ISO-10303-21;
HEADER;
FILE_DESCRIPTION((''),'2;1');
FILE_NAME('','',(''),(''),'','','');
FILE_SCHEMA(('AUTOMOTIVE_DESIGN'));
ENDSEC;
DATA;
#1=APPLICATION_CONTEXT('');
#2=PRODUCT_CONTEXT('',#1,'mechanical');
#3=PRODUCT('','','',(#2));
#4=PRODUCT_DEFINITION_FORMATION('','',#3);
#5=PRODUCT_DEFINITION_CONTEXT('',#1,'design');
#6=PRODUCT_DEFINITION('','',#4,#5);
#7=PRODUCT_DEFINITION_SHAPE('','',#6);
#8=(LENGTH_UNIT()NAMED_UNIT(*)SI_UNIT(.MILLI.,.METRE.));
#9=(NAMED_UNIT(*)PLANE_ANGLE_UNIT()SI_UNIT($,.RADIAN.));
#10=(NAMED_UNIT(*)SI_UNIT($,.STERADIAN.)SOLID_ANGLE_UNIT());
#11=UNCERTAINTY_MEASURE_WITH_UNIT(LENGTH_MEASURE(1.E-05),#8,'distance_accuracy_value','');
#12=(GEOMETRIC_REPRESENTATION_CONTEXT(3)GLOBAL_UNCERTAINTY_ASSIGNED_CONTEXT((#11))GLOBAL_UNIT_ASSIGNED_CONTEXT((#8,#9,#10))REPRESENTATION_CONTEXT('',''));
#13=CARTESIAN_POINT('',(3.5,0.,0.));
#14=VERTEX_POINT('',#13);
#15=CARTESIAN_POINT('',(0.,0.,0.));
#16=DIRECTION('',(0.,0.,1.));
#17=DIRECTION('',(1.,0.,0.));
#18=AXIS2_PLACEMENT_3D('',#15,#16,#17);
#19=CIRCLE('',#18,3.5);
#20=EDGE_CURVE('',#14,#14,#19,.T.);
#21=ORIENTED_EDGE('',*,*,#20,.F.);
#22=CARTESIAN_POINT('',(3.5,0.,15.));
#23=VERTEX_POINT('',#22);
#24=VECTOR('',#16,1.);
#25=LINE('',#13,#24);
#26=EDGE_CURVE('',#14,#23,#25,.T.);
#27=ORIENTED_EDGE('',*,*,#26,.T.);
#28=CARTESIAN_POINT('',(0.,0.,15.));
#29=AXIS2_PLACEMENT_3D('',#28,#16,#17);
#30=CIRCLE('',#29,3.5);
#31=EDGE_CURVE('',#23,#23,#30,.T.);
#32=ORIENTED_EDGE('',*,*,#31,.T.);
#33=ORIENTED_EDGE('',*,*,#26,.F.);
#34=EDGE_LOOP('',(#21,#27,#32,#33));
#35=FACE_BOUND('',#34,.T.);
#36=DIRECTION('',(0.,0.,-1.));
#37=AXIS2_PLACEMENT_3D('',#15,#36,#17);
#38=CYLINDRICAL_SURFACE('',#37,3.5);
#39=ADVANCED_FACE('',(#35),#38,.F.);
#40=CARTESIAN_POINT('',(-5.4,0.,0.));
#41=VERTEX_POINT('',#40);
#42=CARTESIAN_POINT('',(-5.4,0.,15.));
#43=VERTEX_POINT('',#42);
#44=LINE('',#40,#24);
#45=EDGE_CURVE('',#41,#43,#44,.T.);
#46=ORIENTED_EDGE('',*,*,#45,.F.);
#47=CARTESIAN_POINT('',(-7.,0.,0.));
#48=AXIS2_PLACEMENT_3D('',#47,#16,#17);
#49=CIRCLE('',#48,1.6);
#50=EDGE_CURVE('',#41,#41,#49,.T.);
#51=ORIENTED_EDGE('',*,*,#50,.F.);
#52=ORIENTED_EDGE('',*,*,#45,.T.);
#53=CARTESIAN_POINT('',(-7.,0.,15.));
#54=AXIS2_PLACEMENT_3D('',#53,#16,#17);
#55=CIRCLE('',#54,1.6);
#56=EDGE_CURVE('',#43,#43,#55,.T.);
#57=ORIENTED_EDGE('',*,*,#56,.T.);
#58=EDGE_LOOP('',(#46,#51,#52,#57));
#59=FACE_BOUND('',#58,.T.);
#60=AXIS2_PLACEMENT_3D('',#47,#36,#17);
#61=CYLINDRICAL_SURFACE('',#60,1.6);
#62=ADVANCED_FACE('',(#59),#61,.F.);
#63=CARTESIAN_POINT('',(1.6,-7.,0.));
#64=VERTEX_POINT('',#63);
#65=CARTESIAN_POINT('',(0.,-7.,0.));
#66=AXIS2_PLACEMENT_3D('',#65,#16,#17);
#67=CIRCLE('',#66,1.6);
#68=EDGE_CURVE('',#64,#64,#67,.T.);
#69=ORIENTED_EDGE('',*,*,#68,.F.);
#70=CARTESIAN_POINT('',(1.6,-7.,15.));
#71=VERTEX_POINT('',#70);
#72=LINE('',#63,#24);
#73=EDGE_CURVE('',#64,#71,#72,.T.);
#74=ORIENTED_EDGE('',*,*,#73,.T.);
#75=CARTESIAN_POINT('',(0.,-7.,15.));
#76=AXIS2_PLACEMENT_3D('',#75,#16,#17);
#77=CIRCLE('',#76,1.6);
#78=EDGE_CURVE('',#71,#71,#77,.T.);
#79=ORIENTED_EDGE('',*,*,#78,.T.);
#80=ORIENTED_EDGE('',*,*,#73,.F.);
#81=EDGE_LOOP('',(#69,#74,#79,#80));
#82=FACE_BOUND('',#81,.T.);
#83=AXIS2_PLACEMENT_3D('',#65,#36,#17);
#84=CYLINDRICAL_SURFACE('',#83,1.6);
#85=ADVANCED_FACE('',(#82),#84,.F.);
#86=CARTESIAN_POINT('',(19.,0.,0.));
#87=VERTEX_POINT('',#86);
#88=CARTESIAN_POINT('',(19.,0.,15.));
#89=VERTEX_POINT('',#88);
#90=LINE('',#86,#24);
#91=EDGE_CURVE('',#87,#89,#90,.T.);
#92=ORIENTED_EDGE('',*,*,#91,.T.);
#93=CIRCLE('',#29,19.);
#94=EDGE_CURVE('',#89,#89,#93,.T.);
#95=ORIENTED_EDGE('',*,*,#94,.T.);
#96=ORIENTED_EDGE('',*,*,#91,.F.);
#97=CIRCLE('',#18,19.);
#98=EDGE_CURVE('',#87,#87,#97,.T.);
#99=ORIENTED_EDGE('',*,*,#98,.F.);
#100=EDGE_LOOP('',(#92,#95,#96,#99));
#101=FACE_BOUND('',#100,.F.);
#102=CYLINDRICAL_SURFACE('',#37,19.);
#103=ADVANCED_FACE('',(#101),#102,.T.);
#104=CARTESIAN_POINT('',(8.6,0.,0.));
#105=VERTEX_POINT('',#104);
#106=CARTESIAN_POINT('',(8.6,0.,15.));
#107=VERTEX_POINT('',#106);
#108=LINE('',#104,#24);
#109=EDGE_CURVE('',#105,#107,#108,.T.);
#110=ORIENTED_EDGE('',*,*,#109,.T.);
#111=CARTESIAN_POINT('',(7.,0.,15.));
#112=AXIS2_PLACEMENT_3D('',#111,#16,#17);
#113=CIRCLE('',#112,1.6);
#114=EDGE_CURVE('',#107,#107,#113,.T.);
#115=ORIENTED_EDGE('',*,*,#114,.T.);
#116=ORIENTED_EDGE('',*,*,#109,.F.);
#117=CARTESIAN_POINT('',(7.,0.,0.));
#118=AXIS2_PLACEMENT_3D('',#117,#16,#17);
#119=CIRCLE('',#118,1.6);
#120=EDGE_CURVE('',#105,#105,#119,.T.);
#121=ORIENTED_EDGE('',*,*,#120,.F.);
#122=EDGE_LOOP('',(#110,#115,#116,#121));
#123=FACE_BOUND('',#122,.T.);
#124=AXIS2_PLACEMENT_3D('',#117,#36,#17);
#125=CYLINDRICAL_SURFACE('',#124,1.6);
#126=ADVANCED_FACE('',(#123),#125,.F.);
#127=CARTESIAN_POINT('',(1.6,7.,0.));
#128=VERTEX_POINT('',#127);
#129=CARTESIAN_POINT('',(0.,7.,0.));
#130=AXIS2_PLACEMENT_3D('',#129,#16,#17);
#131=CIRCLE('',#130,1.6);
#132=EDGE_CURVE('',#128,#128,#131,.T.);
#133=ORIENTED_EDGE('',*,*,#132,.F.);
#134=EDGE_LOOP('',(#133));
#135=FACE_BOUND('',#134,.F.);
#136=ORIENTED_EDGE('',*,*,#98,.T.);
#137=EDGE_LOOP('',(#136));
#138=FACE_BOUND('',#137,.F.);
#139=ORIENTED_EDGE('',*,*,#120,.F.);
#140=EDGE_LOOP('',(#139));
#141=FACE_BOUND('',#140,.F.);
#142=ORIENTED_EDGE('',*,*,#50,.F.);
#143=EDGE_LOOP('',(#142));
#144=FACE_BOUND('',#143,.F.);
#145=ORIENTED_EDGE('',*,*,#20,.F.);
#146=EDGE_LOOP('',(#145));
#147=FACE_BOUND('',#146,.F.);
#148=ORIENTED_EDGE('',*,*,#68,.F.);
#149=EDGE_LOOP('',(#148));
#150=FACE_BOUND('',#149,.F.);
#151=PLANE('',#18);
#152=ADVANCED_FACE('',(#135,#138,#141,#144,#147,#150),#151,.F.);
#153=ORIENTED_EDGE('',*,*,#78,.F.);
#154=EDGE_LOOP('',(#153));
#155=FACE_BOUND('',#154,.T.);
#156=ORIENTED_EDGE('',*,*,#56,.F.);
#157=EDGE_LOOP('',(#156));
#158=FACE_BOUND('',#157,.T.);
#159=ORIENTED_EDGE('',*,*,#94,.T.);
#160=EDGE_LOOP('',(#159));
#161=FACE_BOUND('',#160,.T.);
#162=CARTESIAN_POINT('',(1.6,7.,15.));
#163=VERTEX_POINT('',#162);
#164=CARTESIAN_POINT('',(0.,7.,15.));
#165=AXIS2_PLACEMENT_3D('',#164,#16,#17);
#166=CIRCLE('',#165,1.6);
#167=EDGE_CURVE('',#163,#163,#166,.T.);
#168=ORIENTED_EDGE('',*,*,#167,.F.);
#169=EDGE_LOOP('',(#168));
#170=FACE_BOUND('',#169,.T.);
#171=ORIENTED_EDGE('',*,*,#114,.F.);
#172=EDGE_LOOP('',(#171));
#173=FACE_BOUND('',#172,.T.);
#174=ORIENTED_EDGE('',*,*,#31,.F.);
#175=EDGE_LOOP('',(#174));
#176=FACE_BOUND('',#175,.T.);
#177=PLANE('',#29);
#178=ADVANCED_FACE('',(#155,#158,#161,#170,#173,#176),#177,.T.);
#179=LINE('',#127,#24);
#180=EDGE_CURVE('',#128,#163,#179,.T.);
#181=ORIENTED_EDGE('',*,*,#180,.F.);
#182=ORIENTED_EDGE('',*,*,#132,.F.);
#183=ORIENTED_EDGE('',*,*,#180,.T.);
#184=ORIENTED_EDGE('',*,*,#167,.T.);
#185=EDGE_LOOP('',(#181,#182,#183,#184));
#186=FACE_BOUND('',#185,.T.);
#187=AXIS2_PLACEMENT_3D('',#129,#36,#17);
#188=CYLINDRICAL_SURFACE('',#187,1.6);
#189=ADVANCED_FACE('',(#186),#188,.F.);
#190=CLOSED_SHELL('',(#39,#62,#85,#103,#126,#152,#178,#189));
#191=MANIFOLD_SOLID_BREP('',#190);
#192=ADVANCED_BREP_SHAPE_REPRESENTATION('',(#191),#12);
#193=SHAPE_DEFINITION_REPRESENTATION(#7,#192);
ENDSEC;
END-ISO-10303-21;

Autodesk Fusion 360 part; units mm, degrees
sketch "Sketch1" plane through (0, 0, 0) normal (0, 0, 1) x (1, 0, 0)
  circle A0 centre (0, 0) radius 19
  line L0 (0, 30.1169) -> (0, -30.2243) construction
  line L1 (0, 0) -> (0, 7.5) construction
  circle A1 centre (0, 7.5) radius 0.8 construction
  line L2 (0, 0) -> (0, 10.5) construction
  circle A2 centre (0, 10.5) radius 0.8 construction
  line L3 (0, 0) -> (0, 13.5) construction
  circle A3 centre (0, 13.5) radius 0.8 construction
  line L4 (0, 0) -> (0, 16.5) construction
  circle A4 centre (0, 16.5) radius 0.8 construction
  circle A5 centre (-6.4952, 3.75) radius 0.8 construction
  circle A6 centre (-9.0933, 5.25) radius 0.8 construction
  circle A7 centre (-11.6913, 6.75) radius 0.8 construction
  circle A8 centre (-14.2894, 8.25) radius 0.8 construction
  circle A9 centre (-6.4952, -3.75) radius 0.8 construction
  circle A10 centre (-9.0933, -5.25) radius 0.8 construction
  circle A11 centre (-11.6913, -6.75) radius 0.8 construction
  circle A12 centre (-14.2894, -8.25) radius 0.8 construction
  circle A13 centre (0, -7.5) radius 0.8 construction
  circle A14 centre (0, -10.5) radius 0.8 construction
  circle A15 centre (0, -13.5) radius 0.8 construction
  circle A16 centre (0, -16.5) radius 0.8 construction
  circle A17 centre (6.4952, -3.75) radius 0.8 construction
  circle A18 centre (9.0933, -5.25) radius 0.8 construction
  circle A19 centre (11.6913, -6.75) radius 0.8 construction
  circle A20 centre (14.2894, -8.25) radius 0.8 construction
  circle A21 centre (6.4952, 3.75) radius 0.8 construction
  circle A22 centre (9.0933, 5.25) radius 0.8 construction
  circle A23 centre (11.6913, 6.75) radius 0.8 construction
  circle A24 centre (14.2894, 8.25) radius 0.8 construction
  circle A25 centre (-7.5, 0) radius 0.8 construction
  circle A26 centre (-10.5, 0) radius 0.8 construction
  circle A27 centre (-13.5, 0) radius 0.8 construction
  circle A28 centre (-16.5, 0) radius 0.8 construction
  circle A29 centre (7.5, 0) radius 0.8 construction
  circle A30 centre (10.5, 0) radius 0.8 construction
  circle A31 centre (13.5, 0) radius 0.8 construction
  circle A32 centre (16.5, 0) radius 0.8 construction
  line L5 (0, 0) -> (7, 0) construction
  circle A33 centre (7, 0) radius 1.6
  circle A34 centre (0, 7) radius 1.6
  circle A35 centre (-7, 0) radius 1.6
  circle A36 centre (0, -7) radius 1.6
  circle A37 centre (0, 0) radius 3.5
  dimension "d1" = 38
  dimension "d16" = 7.5
  dimension "d17" = 1.6
  dimension "d18" = 10.5
  dimension "d19" = 1.6
  dimension "d20" = 13.5
  dimension "d21" = 1.6
  dimension "d22" = 16.5
  dimension "d23" = 1.6
  dimension "d25" = 360
  dimension "d27" = 90
  dimension "d28" = 7
  dimension "d29" = 3.2
  dimension "d31" = 360
  dimension "d32" = 7
extrude "Extrude1" add sketch "Sketch1" along normal blind 15
equation "d16 = ( 15 / 2 ) * 1 mm"
equation "d18 = ( 21 / 2 ) * 1 mm"
equation "d20 = ( 27 / 2 ) * 1 mm"
equation "d22 = ( 33 / 2 ) * 1 mm"
equation "d28 = ( 14 / 2 ) * 1 mm"
